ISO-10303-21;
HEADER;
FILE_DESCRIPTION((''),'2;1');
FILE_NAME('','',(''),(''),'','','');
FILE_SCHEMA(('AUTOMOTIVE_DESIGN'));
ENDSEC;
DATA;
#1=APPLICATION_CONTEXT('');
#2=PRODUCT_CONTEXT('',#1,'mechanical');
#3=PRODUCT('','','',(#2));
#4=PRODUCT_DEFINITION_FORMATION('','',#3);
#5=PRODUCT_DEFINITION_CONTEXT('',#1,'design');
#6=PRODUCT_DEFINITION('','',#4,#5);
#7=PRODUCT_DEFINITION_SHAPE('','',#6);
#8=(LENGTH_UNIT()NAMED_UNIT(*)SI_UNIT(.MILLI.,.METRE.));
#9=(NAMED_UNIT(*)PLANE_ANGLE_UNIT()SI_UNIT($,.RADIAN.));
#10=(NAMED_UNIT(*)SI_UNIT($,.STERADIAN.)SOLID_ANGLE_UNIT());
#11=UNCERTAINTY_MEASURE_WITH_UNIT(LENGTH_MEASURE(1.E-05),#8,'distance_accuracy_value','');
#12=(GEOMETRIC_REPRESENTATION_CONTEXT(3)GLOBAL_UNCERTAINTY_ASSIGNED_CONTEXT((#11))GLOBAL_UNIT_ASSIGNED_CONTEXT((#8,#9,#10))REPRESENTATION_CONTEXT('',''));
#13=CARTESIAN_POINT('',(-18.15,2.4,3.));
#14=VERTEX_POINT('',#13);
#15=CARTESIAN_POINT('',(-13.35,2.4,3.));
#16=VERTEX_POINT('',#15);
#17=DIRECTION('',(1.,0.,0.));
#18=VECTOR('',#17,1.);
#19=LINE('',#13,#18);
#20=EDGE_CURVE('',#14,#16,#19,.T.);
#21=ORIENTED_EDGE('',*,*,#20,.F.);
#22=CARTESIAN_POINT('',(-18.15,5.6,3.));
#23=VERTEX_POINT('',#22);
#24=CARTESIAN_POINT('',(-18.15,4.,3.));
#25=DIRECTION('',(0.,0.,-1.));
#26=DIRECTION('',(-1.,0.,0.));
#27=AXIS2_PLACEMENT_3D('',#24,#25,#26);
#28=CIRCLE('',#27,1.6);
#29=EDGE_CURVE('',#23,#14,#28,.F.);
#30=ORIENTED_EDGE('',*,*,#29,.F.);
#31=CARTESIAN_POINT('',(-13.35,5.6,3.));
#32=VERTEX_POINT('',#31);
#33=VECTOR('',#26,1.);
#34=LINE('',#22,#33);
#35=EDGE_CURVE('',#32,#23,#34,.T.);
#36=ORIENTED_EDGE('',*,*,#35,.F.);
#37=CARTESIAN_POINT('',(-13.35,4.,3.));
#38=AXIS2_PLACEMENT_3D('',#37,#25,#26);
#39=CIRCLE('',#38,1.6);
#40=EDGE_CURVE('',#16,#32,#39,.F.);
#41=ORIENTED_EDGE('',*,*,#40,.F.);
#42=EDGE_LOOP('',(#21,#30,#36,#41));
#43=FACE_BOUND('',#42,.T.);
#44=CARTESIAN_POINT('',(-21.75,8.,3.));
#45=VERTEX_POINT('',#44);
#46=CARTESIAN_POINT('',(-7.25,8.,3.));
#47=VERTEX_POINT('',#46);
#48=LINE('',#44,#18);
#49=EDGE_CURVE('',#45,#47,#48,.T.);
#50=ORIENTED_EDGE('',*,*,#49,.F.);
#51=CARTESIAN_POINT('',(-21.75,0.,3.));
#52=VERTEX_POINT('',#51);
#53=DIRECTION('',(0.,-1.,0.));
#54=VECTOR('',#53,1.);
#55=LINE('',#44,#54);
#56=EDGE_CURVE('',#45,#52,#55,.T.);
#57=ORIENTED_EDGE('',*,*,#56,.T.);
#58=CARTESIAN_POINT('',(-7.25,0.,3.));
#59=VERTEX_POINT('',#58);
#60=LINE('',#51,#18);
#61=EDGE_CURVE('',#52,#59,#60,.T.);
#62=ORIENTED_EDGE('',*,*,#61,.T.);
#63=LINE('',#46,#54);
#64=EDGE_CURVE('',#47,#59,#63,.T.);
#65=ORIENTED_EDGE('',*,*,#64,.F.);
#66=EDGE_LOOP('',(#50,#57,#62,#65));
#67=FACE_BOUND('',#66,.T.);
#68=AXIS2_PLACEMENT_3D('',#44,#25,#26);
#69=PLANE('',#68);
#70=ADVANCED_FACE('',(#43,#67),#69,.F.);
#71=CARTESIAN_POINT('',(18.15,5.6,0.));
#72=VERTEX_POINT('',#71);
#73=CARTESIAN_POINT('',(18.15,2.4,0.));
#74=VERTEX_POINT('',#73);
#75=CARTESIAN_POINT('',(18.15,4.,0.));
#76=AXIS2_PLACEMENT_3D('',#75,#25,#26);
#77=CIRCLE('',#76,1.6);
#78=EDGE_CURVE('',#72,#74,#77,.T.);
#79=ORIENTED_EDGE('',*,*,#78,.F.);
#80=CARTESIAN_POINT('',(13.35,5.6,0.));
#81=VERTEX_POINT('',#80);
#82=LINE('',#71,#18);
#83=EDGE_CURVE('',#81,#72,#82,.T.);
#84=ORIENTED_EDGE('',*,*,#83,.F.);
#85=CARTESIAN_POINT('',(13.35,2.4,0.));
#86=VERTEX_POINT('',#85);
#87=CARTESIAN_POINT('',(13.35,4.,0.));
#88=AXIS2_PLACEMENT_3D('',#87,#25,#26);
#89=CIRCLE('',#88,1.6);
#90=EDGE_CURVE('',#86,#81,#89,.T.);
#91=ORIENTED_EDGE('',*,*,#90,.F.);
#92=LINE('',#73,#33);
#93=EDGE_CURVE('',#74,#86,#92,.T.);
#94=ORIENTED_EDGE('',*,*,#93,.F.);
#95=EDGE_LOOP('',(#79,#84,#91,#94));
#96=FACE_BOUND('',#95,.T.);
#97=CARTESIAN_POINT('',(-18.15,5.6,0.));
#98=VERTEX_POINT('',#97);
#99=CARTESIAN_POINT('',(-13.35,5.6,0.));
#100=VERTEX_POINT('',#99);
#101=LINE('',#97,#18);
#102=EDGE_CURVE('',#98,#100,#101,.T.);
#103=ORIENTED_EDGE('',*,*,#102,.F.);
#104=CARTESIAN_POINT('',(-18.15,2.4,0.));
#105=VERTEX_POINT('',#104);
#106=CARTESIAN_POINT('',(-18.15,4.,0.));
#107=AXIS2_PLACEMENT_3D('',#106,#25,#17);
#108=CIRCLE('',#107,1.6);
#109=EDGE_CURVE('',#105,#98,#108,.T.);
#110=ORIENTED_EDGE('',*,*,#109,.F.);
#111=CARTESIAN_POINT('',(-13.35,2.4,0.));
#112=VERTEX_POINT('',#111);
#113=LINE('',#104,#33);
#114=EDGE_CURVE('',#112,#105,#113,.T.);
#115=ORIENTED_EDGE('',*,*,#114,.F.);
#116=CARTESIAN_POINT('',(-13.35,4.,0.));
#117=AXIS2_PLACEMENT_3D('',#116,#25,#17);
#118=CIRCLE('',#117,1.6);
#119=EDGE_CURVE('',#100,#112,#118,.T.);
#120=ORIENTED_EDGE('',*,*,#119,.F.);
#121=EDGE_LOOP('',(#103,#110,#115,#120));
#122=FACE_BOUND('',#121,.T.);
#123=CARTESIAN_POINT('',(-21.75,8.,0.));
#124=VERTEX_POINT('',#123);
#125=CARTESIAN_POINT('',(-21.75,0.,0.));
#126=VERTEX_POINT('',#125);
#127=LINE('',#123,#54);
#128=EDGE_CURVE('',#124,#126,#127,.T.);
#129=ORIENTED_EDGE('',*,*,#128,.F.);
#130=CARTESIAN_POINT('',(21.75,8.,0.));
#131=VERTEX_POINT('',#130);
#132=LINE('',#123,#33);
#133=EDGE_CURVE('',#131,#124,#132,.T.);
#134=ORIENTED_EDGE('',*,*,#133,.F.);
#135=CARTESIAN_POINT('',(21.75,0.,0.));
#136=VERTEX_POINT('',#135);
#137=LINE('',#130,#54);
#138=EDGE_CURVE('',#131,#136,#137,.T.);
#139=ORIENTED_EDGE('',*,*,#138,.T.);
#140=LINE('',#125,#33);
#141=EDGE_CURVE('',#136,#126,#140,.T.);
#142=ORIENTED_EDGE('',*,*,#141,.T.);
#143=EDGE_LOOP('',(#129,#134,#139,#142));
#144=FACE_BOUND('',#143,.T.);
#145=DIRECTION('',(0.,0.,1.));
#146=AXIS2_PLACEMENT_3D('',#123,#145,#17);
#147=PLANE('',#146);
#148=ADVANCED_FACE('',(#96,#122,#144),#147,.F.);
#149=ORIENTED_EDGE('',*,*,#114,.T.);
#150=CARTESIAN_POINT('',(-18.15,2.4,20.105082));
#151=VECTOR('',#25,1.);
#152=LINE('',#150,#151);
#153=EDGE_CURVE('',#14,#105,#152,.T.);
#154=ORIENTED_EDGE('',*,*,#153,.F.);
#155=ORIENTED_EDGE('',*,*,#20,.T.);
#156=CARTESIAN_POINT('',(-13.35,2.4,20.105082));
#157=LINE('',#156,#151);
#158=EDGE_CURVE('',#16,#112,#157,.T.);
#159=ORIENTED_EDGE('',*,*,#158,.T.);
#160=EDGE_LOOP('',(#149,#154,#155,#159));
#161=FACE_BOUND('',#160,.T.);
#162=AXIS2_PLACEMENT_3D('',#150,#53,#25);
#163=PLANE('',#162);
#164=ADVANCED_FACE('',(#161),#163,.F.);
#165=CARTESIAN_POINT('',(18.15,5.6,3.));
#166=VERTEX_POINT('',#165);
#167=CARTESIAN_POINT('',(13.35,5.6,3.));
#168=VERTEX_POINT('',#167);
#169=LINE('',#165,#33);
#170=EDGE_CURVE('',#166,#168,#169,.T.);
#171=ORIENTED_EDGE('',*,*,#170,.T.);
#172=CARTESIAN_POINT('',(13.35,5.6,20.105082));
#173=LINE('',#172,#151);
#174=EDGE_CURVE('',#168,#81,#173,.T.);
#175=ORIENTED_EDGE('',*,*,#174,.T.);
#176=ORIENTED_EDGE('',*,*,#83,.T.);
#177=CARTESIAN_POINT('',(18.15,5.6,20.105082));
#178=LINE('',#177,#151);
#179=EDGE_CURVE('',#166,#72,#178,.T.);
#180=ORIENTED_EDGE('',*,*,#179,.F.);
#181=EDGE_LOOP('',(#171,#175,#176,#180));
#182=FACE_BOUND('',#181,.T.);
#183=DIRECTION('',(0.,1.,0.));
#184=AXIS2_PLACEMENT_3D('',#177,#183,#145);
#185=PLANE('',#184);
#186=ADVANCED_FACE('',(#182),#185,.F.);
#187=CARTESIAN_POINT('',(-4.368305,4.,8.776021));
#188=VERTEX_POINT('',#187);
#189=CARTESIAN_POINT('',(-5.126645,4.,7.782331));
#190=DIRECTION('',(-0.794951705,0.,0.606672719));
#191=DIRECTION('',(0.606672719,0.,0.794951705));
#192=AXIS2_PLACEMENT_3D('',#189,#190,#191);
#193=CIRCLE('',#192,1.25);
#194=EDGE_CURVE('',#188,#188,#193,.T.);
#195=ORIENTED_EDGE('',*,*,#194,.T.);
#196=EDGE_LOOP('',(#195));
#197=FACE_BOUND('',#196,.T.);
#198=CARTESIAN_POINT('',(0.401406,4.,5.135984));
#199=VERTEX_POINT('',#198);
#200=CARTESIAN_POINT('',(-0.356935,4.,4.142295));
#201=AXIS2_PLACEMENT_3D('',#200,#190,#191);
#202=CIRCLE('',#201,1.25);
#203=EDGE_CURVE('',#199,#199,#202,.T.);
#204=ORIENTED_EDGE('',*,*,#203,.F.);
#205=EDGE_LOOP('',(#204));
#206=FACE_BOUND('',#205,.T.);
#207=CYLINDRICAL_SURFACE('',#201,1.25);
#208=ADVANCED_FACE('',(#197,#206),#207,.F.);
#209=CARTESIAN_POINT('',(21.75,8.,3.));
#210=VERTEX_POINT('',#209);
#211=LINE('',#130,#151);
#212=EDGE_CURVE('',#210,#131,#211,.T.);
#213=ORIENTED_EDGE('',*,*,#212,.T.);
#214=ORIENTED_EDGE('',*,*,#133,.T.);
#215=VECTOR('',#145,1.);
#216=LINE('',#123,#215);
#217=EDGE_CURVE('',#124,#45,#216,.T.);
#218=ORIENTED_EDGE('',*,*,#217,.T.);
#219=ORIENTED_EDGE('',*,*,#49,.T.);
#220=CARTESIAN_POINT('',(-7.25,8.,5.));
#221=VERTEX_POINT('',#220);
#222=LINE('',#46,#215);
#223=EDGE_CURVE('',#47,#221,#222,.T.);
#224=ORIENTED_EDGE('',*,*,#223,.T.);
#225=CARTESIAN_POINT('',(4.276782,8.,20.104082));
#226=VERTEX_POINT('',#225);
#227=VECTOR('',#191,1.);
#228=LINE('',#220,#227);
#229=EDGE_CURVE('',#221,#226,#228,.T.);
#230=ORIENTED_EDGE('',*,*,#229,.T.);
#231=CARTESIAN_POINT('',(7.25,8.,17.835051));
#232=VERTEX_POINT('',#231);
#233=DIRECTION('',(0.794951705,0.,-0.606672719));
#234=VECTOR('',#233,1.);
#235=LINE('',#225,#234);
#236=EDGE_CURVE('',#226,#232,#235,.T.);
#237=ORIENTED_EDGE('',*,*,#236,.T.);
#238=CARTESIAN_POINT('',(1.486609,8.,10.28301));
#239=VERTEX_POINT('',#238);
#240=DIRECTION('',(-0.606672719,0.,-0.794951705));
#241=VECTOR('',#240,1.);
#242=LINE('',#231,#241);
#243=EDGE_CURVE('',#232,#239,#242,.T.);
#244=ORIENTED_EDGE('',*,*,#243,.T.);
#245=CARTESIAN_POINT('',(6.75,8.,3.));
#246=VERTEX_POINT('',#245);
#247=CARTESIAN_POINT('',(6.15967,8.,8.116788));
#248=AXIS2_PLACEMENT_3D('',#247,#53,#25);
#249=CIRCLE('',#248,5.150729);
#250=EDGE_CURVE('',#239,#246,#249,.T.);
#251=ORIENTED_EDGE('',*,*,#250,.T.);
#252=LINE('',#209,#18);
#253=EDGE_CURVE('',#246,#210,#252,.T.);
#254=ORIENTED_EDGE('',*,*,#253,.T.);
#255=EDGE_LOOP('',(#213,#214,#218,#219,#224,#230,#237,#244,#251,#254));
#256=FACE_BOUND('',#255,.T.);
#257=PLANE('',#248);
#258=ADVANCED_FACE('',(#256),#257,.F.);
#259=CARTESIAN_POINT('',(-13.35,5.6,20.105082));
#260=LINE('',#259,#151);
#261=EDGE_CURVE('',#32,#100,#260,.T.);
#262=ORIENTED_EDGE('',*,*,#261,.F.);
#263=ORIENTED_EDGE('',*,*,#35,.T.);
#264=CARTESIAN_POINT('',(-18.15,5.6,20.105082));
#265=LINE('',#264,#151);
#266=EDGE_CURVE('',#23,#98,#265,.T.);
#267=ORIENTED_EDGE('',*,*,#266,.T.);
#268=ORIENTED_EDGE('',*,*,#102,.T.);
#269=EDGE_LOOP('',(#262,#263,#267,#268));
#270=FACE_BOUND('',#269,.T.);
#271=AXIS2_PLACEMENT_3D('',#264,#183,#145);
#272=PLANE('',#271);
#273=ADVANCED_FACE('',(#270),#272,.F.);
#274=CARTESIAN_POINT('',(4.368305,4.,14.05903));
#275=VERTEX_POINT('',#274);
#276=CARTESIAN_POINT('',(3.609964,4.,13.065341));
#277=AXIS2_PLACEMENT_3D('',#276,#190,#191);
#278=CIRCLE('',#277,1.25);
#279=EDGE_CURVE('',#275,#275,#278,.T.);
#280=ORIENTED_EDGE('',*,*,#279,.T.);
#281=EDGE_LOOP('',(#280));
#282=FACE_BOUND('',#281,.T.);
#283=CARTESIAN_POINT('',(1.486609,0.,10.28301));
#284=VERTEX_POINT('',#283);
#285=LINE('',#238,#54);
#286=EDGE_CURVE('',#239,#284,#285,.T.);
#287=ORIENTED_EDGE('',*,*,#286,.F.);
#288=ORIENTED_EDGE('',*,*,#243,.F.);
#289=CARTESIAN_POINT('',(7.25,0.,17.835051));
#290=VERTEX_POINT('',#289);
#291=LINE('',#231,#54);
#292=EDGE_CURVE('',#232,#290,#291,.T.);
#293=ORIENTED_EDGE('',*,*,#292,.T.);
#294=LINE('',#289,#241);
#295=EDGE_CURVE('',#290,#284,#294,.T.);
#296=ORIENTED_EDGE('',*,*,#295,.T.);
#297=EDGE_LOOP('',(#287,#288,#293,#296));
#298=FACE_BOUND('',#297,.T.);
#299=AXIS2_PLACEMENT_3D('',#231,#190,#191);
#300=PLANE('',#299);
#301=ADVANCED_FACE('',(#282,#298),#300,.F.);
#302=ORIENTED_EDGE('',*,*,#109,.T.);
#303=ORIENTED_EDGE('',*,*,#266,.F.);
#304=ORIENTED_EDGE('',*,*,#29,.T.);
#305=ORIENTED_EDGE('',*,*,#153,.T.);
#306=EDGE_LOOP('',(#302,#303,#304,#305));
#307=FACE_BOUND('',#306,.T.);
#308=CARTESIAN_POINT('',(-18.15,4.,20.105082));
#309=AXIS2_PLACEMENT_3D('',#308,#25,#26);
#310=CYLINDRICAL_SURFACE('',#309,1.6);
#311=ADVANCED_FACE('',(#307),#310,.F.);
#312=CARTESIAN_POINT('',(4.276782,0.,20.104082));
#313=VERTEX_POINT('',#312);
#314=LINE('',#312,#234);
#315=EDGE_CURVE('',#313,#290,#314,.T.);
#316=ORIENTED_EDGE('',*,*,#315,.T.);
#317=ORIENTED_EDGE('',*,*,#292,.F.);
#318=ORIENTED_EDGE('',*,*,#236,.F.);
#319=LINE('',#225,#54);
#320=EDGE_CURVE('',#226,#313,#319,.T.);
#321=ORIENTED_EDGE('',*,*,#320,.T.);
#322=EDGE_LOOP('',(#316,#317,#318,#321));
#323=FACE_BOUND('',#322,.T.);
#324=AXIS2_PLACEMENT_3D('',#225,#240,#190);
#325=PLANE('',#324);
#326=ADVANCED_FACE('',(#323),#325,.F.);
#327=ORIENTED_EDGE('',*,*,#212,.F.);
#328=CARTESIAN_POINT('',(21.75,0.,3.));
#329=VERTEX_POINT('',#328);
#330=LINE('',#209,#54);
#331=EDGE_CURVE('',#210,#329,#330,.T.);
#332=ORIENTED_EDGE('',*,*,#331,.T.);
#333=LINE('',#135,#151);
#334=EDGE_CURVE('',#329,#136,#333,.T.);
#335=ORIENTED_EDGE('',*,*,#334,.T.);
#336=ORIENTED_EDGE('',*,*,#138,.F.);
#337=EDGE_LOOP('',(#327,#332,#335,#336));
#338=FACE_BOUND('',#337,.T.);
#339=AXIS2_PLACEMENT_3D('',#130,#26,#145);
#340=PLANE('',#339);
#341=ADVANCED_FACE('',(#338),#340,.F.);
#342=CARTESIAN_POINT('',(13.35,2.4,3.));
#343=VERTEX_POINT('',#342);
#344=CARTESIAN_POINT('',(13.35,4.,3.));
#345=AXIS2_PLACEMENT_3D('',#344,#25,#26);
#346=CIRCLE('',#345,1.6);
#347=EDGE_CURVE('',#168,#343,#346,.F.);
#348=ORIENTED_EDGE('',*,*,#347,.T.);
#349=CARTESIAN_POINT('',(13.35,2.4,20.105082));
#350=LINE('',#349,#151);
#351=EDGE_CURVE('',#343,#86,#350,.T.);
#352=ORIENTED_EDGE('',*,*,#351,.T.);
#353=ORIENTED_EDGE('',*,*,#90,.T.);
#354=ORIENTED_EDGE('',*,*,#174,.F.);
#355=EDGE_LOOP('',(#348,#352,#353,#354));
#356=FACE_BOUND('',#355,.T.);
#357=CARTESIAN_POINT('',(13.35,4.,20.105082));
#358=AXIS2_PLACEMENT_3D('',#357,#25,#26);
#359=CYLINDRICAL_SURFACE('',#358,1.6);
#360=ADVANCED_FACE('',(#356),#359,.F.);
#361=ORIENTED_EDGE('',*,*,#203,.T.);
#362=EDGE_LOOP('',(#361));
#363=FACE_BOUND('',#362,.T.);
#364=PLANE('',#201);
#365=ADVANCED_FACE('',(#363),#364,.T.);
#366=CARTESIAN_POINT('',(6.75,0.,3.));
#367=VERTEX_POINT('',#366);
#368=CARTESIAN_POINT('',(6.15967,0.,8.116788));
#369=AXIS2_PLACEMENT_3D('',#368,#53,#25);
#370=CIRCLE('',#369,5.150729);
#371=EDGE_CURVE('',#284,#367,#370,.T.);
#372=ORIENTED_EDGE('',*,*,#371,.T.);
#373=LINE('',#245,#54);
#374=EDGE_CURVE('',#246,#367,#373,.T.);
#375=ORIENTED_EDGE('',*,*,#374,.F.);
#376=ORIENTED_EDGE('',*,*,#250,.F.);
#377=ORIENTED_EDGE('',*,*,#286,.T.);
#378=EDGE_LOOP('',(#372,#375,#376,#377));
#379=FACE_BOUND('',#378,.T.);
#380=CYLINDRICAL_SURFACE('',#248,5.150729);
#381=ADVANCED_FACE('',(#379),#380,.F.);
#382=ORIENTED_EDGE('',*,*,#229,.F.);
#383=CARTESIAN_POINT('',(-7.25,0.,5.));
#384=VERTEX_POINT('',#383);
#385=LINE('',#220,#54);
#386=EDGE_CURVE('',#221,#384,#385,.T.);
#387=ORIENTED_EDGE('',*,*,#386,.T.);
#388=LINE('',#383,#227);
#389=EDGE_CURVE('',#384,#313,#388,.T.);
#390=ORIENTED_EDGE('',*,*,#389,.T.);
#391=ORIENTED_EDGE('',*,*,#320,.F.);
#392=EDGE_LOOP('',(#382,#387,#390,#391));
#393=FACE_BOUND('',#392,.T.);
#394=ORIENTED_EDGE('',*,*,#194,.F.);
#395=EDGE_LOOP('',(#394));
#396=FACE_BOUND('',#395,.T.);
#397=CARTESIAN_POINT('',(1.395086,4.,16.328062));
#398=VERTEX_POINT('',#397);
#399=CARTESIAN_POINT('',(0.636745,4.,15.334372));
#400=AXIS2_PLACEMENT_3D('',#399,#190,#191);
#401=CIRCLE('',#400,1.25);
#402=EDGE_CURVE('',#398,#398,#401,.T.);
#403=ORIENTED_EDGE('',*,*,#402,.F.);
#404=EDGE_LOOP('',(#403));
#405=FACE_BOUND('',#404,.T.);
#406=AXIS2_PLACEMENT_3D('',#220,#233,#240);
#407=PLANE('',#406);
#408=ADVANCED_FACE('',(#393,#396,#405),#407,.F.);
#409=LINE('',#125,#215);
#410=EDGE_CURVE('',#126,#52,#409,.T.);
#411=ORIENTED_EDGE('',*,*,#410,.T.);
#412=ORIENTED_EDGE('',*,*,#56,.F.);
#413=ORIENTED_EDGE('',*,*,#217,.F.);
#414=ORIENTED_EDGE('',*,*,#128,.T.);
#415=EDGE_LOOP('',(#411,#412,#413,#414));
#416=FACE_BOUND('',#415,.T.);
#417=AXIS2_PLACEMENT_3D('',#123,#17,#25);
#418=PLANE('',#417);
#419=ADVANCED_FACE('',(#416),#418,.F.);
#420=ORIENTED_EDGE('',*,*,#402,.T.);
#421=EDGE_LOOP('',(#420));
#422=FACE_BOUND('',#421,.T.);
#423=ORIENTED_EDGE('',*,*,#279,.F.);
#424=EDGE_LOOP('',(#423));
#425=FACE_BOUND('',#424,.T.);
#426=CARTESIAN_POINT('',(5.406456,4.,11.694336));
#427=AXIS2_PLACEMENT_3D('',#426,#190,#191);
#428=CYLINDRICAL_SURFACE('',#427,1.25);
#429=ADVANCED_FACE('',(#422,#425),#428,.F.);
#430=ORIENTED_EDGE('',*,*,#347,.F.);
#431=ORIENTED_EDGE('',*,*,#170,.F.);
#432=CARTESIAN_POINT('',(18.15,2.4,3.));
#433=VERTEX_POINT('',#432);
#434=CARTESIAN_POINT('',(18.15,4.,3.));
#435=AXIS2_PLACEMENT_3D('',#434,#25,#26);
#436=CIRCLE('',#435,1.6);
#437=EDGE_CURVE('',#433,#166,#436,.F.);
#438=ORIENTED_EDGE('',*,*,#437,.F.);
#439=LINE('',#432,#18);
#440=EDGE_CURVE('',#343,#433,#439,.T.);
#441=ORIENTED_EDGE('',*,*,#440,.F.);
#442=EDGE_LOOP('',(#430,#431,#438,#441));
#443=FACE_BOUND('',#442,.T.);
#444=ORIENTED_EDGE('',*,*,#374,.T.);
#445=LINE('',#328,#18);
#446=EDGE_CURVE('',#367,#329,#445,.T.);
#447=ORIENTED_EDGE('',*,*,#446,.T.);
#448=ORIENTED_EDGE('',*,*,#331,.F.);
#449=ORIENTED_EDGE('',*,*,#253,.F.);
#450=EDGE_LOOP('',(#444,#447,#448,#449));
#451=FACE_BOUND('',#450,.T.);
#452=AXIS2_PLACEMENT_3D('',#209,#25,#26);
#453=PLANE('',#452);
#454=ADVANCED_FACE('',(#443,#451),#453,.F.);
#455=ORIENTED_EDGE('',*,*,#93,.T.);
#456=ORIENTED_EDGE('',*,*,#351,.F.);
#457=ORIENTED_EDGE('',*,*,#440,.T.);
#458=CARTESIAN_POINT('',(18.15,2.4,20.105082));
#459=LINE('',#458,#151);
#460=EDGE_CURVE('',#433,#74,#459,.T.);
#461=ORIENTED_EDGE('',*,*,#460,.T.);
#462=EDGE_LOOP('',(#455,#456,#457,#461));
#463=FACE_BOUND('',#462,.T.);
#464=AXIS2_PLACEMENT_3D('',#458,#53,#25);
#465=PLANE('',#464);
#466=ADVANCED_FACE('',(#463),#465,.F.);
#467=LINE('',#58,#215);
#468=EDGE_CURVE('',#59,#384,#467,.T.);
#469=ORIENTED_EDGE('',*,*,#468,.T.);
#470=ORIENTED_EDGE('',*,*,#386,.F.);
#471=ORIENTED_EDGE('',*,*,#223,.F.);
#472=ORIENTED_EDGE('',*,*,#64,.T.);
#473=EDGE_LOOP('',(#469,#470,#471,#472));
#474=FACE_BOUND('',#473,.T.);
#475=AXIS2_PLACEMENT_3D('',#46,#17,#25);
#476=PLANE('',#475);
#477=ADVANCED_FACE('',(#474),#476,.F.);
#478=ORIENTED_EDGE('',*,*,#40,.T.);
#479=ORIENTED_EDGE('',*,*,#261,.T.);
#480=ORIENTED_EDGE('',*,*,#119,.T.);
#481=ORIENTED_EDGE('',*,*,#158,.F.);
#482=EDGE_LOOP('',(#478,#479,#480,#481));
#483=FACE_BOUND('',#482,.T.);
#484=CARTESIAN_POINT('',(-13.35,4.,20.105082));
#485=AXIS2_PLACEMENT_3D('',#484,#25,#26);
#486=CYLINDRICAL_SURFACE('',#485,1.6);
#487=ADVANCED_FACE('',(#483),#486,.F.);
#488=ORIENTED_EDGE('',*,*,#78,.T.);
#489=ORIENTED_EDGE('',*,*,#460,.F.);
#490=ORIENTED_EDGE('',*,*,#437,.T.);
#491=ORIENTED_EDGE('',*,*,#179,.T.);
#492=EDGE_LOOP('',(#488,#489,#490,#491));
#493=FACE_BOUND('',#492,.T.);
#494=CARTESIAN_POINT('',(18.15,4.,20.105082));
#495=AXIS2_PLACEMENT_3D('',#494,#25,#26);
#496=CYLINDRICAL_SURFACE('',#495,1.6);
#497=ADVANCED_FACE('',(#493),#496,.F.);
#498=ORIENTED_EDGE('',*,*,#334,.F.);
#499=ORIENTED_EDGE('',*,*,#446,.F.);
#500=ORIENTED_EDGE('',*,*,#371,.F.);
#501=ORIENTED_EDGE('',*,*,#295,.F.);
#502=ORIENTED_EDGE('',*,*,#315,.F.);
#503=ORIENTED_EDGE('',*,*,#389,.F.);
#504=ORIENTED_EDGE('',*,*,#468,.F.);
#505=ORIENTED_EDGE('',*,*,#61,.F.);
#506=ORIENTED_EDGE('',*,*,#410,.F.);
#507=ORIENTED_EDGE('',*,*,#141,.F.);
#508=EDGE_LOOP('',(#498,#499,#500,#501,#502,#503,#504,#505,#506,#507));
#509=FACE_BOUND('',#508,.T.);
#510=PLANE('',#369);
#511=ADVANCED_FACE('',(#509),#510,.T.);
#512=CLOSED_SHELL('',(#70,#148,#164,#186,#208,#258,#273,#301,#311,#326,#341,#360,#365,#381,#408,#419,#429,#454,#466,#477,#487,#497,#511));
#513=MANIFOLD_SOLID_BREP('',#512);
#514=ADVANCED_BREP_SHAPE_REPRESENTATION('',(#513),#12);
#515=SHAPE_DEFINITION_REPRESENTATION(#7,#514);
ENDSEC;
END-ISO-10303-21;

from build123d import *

# Parameters (mm, degrees)
EXTRUDE_1_DEPTH     = 8
CUT_EXTRUDE_1_REACH = 22.104
SKETCH_3_R          = 1.25
CUT_EXTRUDE_2_DEPTH = 6


with BuildPart() as part:
    # Эскиз1 → Бобышка-Вытянуть1 (new body)
    with BuildSketch(Plane(origin=(0, 0, 0), x_dir=(1, 0, 0), z_dir=(0, 1, 0))):
        with BuildLine():
            Line((-21.75, 0), (21.75, 0))
            Line((21.75, 0), (21.75, -3))
            Line((21.75, -3), (6.75, -3))
            ThreePointArc((6.75, -3), (1.985016763, -5.099789535), (1.486609174, -10.283009694))
            Line((1.486609174, -10.283009694), (7.25, -17.835050888))
            Line((7.25, -17.835050888), (4.276781652, -20.104082387))
            Line((4.276781652, -20.104082387), (-7.25, -5))
            Line((-7.25, -5), (-7.25, -3))
            Line((-7.25, -3), (-21.75, -3))
            Line((-21.75, -3), (-21.75, 0))
        make_face()
    extrude(amount=EXTRUDE_1_DEPTH)

    # Эскиз2 → Вырез-Вытянуть1 (cut, up to next)
    with BuildSketch(Plane(origin=(0, 0, 0), x_dir=(-1, 0, 0), z_dir=(0, 0, -1)), mode=Mode.PRIVATE) as cut_extrude_1_sk1:
        with BuildLine():
            Line((-18.15, 5.6), (-13.35, 5.6))
            ThreePointArc((-13.35, 5.6), (-11.75, 4), (-13.35, 2.4))
            Line((-13.35, 2.4), (-18.15, 2.4))
            ThreePointArc((-18.15, 2.4), (-19.75, 4), (-18.15, 5.6))
        make_face()
    cut_extrude_1_tool1 = extrude(cut_extrude_1_sk1.sketch, amount=-CUT_EXTRUDE_1_REACH, mode=Mode.PRIVATE) & part.part
    add(cut_extrude_1_tool1.solids().sort_by_distance((15.75, 4, 0))[0], mode=Mode.SUBTRACT)
    # Эскиз2 → Вырез-Вытянуть1 (cut, up to next)
    with BuildSketch(Plane(origin=(0, 0, 0), x_dir=(-1, 0, 0), z_dir=(0, 0, -1)), mode=Mode.PRIVATE) as cut_extrude_1_sk2:
        with BuildLine():
            Line((18.15, 5.6), (13.35, 5.6))
            ThreePointArc((13.35, 5.6), (11.75, 4), (13.35, 2.4))
            Line((13.35, 2.4), (18.15, 2.4))
            ThreePointArc((18.15, 2.4), (19.75, 4), (18.15, 5.6))
        make_face()
    cut_extrude_1_tool2 = extrude(cut_extrude_1_sk2.sketch, amount=-CUT_EXTRUDE_1_REACH, mode=Mode.PRIVATE) & part.part
    add(cut_extrude_1_tool2.solids().sort_by_distance((-15.75, 4, 0))[0], mode=Mode.SUBTRACT)

    # Эскиз3 → Вырез-Вытянуть2 (cut)
    with BuildSketch(Plane(origin=(-6.9930021, 0, 5.336756397), x_dir=(0.606672719, 0, 0.794951705), z_dir=(-0.794951705, 0, 0.606672719))):
        with Locations((12.576381314, 4)):
            Circle(SKETCH_3_R)
        with Locations((3.076381314, 4)):
            Circle(SKETCH_3_R)
    extrude(amount=-CUT_EXTRUDE_2_DEPTH, mode=Mode.SUBTRACT)


solid = part.part
